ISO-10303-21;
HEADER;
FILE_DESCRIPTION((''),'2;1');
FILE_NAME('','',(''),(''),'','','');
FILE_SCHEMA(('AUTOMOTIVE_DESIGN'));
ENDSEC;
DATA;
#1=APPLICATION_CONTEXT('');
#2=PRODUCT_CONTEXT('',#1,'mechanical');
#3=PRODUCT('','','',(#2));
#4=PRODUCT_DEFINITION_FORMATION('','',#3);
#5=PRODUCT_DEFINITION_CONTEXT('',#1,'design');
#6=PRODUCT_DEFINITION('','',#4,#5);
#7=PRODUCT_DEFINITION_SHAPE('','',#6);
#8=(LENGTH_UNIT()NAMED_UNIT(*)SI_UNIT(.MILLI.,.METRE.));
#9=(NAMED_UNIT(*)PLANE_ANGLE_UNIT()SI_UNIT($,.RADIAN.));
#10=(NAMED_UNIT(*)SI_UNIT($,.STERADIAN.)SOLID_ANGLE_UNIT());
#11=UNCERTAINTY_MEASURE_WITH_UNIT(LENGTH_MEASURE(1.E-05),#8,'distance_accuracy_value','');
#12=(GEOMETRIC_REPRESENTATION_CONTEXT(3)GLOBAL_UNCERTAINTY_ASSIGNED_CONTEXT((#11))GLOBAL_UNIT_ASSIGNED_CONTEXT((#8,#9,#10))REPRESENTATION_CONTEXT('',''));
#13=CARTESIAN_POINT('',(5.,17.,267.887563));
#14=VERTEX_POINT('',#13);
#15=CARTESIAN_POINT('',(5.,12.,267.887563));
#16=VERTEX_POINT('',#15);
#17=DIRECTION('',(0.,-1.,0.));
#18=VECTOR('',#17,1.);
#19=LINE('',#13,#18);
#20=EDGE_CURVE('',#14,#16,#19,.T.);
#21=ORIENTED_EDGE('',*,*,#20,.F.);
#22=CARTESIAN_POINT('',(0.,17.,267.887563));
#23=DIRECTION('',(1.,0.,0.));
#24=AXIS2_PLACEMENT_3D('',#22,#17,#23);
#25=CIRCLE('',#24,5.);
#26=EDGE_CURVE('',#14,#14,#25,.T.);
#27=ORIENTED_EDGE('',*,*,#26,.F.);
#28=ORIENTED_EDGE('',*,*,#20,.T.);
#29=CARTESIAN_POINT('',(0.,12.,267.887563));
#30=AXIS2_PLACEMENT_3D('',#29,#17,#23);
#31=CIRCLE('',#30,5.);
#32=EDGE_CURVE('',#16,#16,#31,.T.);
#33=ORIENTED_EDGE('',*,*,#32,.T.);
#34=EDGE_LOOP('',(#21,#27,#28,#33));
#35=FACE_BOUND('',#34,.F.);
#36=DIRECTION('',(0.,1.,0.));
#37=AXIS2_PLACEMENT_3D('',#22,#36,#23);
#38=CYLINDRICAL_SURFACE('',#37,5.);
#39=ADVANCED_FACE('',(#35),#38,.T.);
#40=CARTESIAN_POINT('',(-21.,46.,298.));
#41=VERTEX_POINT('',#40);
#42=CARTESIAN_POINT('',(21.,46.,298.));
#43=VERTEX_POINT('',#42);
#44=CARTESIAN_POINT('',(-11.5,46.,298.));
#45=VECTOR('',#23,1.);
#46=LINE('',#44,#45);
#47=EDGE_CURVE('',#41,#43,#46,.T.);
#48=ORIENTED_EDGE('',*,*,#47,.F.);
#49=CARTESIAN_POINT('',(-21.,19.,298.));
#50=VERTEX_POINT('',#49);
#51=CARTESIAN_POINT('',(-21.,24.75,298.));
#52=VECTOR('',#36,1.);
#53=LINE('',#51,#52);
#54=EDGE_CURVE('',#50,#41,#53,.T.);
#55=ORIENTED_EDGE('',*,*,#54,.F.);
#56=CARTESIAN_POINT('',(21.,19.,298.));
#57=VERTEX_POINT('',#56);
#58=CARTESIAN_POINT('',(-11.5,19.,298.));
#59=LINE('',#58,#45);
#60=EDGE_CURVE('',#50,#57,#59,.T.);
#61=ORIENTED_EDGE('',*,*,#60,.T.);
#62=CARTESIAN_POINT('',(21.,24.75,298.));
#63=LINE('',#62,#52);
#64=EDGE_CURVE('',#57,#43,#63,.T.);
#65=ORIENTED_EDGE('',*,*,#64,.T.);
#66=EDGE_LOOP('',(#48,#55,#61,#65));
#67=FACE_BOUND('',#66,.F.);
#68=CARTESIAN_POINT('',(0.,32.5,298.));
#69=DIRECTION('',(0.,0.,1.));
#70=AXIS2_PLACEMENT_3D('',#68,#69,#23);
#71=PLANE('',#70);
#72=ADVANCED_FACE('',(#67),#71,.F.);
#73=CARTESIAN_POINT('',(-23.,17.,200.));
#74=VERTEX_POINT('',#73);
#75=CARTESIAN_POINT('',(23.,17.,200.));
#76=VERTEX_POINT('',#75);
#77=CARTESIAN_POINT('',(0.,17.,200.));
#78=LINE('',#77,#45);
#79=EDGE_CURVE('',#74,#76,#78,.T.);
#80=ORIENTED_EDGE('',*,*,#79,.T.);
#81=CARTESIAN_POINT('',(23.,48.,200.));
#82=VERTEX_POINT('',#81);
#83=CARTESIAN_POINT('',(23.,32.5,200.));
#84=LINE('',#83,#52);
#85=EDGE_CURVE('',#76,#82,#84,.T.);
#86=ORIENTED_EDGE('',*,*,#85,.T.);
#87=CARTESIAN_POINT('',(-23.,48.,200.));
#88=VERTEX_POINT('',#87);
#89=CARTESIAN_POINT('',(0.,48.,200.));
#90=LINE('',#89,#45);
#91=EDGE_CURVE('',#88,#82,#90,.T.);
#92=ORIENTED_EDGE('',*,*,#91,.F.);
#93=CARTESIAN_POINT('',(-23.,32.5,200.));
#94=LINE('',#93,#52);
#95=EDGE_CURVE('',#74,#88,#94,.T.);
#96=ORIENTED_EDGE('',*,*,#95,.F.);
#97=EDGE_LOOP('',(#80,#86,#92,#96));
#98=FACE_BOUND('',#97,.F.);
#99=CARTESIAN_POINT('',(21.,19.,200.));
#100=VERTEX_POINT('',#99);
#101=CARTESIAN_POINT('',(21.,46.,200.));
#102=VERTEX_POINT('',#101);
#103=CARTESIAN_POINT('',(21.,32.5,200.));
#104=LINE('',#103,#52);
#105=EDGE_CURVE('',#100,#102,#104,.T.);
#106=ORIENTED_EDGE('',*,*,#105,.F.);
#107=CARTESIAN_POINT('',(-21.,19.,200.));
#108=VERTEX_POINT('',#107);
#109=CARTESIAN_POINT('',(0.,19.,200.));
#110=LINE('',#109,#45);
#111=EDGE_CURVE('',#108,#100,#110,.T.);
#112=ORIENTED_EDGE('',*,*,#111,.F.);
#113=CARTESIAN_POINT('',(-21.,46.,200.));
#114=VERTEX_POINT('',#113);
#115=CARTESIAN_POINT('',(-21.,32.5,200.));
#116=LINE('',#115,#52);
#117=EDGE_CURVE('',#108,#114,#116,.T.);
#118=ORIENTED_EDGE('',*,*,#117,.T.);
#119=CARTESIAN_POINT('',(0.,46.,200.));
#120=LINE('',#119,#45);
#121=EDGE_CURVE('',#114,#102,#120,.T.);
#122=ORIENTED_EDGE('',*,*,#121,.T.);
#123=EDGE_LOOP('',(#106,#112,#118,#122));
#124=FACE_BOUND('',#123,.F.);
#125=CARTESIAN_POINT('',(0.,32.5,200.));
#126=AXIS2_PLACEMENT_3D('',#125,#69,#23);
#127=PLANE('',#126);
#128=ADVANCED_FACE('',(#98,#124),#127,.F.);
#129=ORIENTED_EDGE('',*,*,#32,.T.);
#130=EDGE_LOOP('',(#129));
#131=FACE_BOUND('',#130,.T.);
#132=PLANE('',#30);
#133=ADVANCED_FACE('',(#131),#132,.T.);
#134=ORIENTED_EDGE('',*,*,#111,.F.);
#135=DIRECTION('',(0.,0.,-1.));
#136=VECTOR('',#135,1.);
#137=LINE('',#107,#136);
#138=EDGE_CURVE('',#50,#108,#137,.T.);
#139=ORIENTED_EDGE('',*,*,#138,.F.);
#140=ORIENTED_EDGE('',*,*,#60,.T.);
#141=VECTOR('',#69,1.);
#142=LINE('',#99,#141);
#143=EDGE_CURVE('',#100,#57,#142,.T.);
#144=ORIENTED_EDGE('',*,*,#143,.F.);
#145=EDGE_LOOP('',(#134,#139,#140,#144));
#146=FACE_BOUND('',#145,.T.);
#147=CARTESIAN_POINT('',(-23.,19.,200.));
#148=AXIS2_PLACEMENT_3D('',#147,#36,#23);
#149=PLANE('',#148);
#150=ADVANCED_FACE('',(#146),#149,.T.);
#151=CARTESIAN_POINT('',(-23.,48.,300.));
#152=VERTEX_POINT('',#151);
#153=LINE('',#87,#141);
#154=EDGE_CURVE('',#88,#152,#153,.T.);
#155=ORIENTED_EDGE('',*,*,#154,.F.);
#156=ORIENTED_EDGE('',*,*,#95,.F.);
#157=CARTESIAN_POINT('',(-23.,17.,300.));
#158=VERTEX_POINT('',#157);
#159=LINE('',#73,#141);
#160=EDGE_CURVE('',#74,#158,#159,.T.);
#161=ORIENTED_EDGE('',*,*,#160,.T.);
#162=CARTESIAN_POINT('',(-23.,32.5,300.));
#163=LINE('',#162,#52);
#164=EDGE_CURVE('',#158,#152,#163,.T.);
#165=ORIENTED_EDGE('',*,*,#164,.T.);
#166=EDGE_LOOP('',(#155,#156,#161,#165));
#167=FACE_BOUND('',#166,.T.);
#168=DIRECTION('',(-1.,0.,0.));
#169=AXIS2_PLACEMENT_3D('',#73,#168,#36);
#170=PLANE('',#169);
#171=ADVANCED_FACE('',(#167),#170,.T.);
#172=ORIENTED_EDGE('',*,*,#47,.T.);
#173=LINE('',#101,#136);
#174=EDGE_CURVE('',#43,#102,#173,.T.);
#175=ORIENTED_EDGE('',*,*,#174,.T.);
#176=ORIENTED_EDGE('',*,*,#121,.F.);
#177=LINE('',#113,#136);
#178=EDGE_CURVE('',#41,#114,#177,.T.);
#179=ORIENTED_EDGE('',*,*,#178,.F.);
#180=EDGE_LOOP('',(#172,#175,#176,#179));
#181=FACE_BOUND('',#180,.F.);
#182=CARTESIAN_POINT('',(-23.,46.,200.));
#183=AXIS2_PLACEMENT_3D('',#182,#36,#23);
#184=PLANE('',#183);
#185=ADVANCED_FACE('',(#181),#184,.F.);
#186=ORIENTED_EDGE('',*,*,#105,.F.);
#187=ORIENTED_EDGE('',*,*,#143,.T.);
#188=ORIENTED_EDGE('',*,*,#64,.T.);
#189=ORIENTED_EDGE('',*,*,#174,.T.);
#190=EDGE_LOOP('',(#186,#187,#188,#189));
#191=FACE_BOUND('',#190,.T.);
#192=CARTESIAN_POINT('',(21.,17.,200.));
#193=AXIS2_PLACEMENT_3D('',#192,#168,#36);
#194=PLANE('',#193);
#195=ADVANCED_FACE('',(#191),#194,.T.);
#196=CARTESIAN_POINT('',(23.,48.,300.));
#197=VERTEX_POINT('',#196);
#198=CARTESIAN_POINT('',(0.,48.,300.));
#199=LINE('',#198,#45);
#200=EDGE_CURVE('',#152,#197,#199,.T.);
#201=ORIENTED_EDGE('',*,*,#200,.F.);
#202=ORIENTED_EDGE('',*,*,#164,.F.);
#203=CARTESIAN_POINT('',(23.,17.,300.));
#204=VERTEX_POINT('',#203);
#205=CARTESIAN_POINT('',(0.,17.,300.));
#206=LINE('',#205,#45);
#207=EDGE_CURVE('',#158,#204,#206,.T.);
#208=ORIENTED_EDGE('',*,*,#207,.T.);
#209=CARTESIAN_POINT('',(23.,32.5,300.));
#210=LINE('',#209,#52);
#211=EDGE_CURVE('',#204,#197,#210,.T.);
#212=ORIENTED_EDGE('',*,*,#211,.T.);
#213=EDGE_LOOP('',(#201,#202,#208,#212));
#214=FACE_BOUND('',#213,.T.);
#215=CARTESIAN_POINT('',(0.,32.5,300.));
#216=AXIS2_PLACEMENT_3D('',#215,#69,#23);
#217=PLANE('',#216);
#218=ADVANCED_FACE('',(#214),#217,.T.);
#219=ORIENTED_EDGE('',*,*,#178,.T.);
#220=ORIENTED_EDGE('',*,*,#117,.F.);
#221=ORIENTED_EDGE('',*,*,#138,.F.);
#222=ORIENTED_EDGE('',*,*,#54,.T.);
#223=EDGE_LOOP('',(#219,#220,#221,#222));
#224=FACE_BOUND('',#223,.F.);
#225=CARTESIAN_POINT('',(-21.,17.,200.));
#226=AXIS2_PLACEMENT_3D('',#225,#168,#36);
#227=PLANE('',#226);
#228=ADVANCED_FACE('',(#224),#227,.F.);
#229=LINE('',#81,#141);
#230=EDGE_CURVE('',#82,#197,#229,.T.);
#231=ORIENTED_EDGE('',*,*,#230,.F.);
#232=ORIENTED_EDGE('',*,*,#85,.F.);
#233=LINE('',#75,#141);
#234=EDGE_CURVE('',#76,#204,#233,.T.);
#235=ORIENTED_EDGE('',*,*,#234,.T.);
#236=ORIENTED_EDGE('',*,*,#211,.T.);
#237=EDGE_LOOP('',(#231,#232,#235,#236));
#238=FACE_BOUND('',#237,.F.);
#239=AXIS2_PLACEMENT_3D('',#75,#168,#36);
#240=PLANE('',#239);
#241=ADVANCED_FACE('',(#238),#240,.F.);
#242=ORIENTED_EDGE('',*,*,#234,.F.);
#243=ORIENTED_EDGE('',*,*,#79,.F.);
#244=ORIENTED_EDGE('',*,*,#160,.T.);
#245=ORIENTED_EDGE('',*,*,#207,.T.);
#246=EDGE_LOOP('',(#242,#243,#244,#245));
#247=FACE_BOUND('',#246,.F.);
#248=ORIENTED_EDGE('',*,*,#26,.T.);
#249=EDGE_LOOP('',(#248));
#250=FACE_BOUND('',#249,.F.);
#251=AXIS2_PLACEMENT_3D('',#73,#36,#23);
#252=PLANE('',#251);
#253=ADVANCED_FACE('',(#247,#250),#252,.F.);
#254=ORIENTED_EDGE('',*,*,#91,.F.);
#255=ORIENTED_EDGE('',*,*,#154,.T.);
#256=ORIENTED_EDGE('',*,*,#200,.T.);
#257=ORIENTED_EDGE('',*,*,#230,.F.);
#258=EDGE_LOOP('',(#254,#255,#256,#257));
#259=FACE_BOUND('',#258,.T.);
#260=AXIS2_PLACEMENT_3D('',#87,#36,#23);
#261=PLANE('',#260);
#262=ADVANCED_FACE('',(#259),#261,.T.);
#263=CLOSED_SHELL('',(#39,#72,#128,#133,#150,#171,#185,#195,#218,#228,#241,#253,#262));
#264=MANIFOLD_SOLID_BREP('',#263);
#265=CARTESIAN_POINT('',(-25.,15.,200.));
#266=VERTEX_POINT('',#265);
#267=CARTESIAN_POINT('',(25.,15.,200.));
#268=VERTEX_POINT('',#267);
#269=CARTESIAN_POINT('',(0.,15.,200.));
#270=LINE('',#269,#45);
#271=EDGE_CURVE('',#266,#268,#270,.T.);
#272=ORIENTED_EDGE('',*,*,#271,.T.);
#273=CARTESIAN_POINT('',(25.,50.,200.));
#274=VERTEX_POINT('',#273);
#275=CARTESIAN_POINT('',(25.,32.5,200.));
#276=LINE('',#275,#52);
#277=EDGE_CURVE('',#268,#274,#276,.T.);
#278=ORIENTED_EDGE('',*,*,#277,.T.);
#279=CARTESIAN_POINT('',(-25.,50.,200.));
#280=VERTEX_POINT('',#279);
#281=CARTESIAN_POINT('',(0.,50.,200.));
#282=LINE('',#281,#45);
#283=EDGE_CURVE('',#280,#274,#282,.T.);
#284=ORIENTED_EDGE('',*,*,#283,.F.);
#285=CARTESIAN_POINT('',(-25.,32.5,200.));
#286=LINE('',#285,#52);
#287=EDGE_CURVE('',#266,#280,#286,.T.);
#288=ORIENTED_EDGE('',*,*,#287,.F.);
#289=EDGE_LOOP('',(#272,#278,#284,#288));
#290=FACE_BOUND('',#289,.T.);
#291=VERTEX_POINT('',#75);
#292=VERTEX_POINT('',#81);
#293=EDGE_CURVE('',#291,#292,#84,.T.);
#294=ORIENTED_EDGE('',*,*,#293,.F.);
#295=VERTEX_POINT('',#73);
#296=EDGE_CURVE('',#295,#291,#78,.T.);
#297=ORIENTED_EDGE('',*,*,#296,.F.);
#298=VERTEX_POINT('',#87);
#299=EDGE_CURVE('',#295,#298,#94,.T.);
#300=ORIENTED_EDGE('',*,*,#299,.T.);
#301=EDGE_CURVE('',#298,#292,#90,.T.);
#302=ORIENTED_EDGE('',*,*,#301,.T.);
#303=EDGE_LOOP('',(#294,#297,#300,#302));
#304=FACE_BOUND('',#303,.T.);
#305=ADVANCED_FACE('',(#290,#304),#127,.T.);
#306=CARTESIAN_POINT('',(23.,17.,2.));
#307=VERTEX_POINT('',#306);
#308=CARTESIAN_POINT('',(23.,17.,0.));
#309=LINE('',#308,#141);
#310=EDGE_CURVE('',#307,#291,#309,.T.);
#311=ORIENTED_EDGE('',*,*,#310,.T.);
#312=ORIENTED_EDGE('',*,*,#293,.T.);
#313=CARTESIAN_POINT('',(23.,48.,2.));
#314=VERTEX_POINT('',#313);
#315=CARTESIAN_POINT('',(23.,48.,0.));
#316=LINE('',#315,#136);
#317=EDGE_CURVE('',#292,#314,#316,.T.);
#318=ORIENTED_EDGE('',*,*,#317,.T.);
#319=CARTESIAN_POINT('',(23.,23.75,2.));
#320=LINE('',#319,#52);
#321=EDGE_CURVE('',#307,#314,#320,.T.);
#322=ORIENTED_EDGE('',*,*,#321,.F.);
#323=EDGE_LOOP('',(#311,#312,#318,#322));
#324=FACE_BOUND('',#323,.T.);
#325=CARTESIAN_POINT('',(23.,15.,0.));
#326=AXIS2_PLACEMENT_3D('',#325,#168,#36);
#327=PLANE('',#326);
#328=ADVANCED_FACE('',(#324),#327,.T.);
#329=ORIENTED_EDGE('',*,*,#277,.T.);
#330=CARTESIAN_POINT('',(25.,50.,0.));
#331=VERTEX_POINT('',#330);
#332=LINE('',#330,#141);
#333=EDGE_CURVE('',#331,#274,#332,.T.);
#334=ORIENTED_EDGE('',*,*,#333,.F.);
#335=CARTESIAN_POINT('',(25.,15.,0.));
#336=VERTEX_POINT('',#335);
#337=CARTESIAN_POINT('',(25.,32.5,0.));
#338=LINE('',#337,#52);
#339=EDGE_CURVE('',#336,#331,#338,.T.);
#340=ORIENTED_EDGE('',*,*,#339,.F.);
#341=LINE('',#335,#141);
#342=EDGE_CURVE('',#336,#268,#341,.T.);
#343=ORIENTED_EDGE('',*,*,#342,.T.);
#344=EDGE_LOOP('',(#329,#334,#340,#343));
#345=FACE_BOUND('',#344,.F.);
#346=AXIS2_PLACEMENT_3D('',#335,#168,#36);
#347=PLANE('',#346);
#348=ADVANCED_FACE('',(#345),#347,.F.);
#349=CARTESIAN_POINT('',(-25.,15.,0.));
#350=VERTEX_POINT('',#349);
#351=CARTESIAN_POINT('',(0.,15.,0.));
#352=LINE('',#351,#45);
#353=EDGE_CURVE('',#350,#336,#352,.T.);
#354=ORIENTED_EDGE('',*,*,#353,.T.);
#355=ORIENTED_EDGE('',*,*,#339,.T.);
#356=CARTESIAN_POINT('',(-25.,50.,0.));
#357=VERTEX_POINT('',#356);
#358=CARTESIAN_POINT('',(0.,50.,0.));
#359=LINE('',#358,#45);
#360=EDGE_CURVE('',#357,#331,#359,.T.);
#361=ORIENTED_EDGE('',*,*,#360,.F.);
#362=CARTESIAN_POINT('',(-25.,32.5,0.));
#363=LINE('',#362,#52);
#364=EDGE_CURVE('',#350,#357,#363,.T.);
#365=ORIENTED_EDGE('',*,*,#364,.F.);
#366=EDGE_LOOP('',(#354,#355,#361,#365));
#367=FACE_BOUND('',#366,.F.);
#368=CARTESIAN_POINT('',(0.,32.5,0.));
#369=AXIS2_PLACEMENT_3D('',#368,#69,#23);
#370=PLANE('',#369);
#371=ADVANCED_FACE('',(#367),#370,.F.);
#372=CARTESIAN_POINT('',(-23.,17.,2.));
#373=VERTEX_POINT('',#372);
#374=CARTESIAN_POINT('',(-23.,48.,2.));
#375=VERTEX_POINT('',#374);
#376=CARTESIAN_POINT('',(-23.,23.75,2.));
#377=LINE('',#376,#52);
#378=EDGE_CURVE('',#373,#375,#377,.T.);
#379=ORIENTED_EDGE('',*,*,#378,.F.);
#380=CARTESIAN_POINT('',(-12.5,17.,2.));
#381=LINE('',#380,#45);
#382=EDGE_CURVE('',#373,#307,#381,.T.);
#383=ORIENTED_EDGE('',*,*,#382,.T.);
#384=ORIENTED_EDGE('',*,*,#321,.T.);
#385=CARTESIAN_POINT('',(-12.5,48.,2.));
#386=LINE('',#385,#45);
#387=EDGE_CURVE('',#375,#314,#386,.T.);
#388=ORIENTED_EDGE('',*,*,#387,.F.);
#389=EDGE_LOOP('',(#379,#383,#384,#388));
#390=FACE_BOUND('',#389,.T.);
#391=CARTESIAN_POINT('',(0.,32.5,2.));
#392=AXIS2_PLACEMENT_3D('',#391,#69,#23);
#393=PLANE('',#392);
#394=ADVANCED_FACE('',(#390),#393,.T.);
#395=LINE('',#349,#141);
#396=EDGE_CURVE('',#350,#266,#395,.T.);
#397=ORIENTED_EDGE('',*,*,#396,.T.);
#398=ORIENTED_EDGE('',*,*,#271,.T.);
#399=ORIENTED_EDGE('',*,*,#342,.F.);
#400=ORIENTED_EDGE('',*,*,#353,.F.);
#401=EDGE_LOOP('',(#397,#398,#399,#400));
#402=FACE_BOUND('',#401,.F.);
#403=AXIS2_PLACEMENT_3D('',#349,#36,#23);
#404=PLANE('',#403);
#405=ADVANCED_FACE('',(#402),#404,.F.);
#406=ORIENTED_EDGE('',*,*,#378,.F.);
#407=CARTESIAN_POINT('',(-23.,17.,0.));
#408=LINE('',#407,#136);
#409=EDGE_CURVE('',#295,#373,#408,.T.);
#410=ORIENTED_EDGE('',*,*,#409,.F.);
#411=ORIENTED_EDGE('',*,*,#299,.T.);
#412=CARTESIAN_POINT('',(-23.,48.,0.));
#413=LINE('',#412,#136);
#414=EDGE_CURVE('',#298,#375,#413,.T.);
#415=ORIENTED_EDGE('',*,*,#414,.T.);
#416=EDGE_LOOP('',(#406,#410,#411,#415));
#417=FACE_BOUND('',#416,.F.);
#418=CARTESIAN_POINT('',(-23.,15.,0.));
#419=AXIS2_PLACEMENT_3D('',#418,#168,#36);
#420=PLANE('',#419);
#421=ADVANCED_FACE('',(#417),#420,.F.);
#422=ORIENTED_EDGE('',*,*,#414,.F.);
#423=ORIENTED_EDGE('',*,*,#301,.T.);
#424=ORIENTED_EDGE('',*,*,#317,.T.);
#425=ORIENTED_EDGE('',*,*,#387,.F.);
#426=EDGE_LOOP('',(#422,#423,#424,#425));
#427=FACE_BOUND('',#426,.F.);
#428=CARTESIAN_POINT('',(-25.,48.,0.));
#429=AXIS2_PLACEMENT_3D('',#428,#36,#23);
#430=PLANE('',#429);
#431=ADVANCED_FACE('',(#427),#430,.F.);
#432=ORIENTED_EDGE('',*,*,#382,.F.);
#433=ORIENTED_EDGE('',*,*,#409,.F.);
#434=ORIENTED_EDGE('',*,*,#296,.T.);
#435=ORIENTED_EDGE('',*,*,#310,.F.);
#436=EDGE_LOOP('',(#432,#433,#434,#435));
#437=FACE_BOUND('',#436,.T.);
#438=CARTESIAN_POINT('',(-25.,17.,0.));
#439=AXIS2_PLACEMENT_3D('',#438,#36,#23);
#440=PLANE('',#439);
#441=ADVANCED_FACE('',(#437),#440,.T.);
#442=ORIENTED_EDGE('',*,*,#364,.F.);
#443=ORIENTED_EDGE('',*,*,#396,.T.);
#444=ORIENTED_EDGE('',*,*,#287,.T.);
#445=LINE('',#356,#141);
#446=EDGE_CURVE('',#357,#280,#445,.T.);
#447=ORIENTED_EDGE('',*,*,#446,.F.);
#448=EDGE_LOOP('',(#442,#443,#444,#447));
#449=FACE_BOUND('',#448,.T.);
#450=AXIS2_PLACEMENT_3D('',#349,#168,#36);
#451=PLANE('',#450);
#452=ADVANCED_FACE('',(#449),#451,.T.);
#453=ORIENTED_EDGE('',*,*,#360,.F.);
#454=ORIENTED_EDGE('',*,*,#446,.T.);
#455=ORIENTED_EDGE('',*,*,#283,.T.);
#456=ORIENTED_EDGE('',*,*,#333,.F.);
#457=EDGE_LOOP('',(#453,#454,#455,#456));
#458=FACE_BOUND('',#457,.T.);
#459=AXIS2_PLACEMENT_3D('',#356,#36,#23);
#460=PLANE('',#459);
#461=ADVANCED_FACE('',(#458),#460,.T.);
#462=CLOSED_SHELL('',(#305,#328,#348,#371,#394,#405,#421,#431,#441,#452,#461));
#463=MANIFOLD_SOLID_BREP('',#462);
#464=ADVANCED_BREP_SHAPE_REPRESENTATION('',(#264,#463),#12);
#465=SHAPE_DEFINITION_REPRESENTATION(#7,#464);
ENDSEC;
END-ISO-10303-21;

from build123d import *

# Parameters (mm, degrees)
F0_W     = 50
F0_H     = 35
F1_DEPTH = 200
F2_T     = -2
F3_W     = 46
F3_H     = 31
F4_DEPTH = 100
F5_T     = -2
F6_R     = 5
F7_DEPTH = 5


with BuildPart() as f1:
    # F0 (on Top) → F1 (new body)
    with BuildSketch(Plane.XY):
        with Locations((0, 32.5)):
            Rectangle(F0_W, F0_H)
    extrude(amount=F1_DEPTH)

    # F2
    f2_openings = [f1.faces().sort_by_distance(p)[0] for p in [
        (0, 32.5, 200),
    ]]
    offset(amount=F2_T, openings=f2_openings)


with BuildPart() as f4:
    # F3 (on face) → F4 (new body)
    with BuildSketch(Plane.XY.offset(200)):
        with Locations((0, 32.5)):
            Rectangle(F3_W, F3_H)
    extrude(amount=F4_DEPTH)

    # F5
    f5_openings = [f4.faces().sort_by_distance(p)[0] for p in [
        (0, 32.5, 200),
    ]]
    offset(amount=F5_T, openings=f5_openings)

    # F6 (on face) → F7 (join)
    with BuildSketch(Plane.XZ.offset(-17)):
        with Locations((0, 267.8875625134)):
            Circle(F6_R)
    extrude(amount=F7_DEPTH)


solid = Compound([f1.part, f4.part])
